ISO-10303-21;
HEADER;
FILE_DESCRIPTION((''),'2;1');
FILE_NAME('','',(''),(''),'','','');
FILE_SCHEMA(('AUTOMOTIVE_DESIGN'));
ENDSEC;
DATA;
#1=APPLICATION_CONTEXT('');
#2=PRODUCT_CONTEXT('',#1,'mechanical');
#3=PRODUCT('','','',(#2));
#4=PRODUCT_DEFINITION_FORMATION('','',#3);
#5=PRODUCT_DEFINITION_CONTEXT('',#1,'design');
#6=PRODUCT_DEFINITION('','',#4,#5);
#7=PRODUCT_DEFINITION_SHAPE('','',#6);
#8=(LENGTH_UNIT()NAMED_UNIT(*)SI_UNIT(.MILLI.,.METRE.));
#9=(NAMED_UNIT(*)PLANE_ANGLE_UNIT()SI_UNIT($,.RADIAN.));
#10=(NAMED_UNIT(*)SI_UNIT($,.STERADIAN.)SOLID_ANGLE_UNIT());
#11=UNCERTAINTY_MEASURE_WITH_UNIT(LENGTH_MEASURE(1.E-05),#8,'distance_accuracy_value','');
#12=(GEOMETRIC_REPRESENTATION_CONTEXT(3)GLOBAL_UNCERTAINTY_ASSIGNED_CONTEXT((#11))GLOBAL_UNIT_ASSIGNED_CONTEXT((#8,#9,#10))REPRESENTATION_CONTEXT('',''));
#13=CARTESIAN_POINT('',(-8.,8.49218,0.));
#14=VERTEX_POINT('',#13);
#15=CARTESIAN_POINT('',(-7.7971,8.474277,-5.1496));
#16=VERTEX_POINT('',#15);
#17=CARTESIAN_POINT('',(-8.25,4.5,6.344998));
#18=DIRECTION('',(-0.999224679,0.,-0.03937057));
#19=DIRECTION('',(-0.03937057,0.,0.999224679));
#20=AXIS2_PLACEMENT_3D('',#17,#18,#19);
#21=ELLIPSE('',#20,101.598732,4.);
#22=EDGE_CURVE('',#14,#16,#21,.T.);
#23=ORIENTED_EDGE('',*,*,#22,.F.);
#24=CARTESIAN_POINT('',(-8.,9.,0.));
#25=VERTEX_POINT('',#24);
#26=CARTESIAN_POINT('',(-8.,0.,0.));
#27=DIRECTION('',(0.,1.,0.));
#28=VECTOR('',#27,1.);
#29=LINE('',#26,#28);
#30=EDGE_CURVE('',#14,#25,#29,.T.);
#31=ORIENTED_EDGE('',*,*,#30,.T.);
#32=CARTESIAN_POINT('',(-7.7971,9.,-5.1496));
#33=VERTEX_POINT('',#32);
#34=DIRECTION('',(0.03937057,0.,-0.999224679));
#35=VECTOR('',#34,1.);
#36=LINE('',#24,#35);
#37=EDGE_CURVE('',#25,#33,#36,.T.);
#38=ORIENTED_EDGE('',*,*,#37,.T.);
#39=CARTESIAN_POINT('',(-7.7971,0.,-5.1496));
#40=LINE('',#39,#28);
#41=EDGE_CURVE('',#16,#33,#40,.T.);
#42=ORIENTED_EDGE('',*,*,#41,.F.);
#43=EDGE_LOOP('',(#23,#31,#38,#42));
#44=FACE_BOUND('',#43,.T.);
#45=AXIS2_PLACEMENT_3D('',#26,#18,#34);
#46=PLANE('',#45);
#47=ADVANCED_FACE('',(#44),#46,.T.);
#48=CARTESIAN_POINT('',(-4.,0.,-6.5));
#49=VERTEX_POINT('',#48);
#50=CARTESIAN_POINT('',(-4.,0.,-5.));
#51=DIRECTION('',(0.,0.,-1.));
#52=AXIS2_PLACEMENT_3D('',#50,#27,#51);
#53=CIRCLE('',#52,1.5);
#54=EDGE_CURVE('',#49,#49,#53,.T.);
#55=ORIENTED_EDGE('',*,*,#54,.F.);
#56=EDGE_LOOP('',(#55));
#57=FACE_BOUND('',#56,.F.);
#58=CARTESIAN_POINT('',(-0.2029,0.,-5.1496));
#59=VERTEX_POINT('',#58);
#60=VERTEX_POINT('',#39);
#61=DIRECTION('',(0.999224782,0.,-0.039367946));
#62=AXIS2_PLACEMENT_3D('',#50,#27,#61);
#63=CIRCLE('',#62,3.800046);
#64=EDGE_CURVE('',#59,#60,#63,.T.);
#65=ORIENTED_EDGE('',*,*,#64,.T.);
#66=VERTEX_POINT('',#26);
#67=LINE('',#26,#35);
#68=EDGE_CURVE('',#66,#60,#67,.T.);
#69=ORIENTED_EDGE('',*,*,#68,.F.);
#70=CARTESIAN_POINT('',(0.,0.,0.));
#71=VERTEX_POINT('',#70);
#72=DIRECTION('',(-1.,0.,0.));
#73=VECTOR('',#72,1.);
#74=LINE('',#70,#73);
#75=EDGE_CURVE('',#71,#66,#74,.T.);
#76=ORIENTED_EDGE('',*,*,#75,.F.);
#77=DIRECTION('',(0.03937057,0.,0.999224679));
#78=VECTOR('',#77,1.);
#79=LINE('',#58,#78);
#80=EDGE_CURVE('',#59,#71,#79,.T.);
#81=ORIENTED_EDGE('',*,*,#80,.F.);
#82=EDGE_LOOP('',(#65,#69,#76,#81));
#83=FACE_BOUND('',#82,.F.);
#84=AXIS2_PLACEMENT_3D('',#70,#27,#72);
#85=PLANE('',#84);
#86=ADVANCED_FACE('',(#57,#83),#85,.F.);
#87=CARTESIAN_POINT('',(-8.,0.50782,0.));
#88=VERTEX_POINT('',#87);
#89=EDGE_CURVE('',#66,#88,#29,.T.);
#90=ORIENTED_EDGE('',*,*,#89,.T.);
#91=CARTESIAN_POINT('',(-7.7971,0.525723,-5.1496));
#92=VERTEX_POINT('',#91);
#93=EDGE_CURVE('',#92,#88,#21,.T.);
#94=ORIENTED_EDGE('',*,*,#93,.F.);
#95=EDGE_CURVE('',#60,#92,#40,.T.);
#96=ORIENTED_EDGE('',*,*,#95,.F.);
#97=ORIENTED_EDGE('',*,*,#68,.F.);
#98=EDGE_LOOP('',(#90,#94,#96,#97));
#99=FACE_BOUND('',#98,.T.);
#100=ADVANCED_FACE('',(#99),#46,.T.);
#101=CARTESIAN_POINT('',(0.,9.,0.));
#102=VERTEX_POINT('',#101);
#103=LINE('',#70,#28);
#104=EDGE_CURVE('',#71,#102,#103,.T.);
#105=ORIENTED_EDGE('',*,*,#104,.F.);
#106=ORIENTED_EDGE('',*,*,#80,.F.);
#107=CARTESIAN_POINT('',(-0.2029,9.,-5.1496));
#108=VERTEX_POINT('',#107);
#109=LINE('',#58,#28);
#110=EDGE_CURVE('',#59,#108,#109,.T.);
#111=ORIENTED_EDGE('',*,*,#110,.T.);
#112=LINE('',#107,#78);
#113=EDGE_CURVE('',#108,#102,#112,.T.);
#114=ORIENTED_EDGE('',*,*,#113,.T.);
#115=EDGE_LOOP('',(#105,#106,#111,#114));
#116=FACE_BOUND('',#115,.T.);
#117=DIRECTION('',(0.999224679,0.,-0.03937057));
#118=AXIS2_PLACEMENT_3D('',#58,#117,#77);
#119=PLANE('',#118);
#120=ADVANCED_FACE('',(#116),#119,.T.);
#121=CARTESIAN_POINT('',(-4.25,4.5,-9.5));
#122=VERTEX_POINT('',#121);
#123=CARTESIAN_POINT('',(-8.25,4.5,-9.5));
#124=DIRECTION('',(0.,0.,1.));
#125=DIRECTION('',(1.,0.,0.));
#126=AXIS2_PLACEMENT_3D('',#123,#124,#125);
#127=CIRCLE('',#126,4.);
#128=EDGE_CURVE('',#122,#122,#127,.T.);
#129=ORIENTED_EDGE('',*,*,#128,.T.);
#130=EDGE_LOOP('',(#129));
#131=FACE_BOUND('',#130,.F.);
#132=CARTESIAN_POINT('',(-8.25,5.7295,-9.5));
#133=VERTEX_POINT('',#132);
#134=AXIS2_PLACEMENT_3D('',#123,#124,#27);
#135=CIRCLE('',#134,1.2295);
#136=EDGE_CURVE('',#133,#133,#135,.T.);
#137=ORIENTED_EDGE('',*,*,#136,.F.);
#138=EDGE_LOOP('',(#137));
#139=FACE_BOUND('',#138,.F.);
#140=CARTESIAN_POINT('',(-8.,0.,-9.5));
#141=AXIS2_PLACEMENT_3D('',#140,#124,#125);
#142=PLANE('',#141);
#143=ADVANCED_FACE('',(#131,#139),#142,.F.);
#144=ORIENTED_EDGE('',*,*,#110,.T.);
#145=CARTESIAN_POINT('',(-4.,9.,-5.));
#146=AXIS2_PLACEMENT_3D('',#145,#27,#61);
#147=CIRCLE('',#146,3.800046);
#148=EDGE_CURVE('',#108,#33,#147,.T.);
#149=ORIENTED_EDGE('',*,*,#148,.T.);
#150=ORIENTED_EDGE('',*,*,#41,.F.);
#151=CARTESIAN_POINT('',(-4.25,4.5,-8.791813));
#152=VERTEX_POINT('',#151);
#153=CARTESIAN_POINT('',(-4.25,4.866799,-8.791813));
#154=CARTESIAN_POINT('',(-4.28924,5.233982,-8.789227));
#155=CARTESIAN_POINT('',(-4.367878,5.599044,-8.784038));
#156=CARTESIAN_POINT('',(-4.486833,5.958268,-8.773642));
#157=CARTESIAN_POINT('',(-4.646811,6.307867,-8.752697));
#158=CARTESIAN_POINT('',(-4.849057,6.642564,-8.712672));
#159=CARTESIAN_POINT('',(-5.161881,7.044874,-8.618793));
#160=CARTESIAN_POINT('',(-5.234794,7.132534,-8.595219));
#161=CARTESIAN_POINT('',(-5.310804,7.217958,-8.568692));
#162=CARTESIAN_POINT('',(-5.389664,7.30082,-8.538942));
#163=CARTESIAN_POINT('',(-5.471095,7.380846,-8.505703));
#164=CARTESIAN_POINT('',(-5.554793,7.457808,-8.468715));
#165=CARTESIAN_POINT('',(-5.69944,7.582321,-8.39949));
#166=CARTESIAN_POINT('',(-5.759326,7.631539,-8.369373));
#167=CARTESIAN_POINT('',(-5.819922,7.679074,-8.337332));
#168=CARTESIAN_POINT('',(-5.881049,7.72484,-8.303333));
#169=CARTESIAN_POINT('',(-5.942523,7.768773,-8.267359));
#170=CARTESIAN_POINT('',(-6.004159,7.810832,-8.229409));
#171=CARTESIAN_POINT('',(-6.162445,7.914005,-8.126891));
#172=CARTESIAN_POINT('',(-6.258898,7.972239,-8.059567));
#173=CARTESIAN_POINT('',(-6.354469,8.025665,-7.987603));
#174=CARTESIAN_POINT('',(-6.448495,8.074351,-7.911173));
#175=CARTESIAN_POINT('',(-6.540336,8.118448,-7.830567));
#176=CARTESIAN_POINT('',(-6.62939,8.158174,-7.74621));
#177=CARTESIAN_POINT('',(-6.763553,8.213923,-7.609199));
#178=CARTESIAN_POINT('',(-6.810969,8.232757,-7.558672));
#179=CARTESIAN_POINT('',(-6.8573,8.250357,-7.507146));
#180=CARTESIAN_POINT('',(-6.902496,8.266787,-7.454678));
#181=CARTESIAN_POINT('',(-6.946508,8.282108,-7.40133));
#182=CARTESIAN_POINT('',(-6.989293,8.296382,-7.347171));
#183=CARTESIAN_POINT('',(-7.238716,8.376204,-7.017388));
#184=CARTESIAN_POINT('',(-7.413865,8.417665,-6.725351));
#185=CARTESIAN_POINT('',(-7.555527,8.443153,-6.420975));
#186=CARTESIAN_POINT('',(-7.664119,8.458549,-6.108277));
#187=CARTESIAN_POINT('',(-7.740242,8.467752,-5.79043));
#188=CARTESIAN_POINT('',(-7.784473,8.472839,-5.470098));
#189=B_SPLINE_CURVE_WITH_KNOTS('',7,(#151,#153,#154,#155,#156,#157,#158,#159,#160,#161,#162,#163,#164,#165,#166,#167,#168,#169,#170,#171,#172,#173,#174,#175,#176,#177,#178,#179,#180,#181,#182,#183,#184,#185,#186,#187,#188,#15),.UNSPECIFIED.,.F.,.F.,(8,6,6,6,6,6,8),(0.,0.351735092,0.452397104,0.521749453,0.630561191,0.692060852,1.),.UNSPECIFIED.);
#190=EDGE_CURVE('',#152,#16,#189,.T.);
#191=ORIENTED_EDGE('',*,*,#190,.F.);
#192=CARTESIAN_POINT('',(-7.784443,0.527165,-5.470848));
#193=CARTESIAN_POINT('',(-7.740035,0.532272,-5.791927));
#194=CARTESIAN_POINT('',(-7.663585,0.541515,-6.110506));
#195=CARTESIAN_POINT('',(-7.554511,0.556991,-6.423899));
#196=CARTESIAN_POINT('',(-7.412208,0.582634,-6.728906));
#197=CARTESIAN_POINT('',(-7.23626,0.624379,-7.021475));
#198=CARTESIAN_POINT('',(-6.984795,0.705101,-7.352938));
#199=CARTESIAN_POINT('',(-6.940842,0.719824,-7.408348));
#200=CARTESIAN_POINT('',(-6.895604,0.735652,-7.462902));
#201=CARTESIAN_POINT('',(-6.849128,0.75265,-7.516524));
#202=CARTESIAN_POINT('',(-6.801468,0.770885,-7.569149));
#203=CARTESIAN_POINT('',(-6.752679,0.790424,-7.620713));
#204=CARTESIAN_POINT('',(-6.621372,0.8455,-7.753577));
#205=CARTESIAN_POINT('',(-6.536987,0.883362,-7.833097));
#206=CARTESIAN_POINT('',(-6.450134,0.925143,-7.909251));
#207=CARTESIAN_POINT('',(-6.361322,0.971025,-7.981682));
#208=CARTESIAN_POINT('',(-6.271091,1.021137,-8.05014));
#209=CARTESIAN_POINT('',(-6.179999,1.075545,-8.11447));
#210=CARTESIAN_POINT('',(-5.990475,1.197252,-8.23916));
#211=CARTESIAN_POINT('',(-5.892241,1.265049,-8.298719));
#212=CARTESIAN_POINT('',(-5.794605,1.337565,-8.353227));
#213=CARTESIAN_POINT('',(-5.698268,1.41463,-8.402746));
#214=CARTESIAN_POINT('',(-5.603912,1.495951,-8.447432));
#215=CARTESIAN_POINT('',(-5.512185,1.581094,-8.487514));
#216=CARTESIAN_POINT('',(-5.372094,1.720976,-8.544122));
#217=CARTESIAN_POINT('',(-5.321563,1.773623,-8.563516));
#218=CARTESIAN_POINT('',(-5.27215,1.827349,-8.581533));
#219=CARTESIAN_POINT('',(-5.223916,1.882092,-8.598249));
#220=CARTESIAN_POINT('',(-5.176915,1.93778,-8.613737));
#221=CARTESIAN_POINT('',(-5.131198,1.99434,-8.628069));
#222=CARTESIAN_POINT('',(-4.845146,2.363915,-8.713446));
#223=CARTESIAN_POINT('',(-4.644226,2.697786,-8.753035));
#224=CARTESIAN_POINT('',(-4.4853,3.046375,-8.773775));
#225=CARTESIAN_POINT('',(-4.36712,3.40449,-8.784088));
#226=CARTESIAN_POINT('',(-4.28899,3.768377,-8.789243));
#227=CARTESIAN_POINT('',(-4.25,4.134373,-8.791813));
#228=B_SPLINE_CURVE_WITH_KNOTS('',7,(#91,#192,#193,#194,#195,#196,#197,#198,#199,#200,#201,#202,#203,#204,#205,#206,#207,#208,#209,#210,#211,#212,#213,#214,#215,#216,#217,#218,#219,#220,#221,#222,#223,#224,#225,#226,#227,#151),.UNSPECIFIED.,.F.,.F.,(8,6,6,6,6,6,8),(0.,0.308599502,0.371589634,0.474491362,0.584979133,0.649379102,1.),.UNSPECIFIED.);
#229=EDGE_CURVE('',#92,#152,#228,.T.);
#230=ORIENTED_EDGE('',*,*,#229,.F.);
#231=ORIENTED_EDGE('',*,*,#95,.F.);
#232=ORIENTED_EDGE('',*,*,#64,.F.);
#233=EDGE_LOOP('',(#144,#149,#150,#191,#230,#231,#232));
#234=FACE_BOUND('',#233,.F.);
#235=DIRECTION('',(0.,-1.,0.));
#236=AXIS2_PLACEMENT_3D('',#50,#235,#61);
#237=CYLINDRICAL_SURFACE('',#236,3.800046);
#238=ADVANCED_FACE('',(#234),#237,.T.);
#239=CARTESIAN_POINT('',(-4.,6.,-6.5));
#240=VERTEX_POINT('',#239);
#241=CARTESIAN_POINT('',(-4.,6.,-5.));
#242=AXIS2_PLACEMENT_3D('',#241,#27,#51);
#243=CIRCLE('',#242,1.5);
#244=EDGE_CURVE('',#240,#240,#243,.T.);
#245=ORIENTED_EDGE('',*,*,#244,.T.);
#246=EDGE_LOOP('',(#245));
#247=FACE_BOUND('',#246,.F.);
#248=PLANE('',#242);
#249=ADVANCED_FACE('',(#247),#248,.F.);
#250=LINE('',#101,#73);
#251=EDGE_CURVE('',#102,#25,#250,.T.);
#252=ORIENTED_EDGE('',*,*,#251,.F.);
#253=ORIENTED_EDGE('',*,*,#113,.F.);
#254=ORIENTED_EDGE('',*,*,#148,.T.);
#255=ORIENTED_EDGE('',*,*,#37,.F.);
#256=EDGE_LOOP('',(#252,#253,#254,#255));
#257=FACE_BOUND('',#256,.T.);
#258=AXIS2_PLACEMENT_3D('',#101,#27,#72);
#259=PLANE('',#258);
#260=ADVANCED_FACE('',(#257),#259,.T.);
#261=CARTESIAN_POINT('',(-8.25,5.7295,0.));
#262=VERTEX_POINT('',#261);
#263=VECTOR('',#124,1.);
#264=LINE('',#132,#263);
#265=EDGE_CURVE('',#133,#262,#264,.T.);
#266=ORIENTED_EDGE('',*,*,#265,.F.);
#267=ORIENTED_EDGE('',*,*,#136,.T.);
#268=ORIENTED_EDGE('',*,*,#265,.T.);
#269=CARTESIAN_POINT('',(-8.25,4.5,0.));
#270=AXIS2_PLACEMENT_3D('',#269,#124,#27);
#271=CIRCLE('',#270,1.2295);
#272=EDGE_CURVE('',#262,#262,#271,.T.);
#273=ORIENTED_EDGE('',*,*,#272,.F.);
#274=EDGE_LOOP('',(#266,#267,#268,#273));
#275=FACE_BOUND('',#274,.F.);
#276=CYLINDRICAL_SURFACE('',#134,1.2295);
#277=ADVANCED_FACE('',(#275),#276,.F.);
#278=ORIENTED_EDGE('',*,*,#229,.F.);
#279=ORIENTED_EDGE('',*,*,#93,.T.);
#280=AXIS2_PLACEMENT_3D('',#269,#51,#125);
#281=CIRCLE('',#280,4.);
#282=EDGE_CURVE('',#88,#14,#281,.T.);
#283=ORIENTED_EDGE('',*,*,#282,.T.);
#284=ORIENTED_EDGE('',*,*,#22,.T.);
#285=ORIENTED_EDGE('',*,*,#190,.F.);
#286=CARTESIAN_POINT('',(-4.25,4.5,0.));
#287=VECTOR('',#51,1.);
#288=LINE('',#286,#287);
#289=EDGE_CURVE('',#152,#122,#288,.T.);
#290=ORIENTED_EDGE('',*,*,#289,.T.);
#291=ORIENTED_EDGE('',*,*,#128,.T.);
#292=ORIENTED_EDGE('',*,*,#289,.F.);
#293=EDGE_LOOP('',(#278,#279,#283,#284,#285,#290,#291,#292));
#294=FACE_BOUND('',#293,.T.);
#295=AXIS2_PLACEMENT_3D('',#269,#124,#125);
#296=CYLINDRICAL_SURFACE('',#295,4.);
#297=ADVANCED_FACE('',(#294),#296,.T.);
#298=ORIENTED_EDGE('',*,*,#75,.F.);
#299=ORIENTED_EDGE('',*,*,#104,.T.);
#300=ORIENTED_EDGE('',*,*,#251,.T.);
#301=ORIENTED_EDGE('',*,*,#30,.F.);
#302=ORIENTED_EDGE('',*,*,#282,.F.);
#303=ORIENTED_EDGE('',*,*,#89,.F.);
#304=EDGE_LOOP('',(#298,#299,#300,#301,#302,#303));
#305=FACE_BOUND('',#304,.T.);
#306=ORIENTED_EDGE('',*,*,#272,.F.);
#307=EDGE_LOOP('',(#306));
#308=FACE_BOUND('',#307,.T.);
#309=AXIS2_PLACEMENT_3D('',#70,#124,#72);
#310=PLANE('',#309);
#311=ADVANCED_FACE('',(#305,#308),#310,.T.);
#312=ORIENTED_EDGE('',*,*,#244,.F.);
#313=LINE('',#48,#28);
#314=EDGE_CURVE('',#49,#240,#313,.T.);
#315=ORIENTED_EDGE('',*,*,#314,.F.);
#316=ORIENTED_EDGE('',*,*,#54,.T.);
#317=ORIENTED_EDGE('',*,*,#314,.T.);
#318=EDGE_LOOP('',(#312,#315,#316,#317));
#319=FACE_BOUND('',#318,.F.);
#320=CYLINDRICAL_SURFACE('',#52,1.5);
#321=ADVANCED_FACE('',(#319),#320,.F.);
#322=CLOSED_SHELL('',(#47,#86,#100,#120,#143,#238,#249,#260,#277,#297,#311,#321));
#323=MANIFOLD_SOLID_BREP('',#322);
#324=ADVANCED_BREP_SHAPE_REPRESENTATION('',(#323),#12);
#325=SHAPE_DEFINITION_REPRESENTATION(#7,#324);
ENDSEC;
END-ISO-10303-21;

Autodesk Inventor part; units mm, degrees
ref_plane "YZ Plane" through (0, 0, 0) normal (1, 0, 0) x (0, 1, 0)
ref_plane "XZ Plane" through (0, 0, 0) normal (0, 1, 0) x (-1, 0, 0)
ref_plane "XY Plane" through (0, 0, 0) normal (0, 0, 1) x (1, 0, 0)
sketch "Sketch1" plane through (0, 0, 0) normal (0, 1, 0) x (-1, 0, 0)
  line L0 (0, 0) -> (8, 0)
  line L1 (8, 0) -> (7.7971, -5.1496)
  line L2 (0.2029, -5.1496) -> (0, 0)
  arc A0 (0.2029, -5.1496) -> (7.7971, -5.1496) centre (4, -5) ccw
  line L3 (4, -5) -> (4, -1.2)
  dimension "d0" = 3.8
  dimension "d1" = 5
  dimension "d2" = 8
extrude "Extrusion1" add sketch "Sketch1" along normal blind 9
sketch "Sketch2" plane through (-8, 0, 0) normal (0, 0, 1) x (1, 0, 0)
  line L0 (8, 0) -> (0, 0) projected
  line L1 (0, 0) -> (0, 9) projected
  circle A0 centre (-0.25, 4.5) radius 4
  line L2 (4, 0) -> (4, -1.6223)
  point P0 (0, 4.5)
  dimension "d5" = 8
  dimension "d6" = 4.25
extrude "Extrusion2" add sketch "Sketch2" against normal blind 9.5
hole "Hole2" at (-8.25, 4.5, -9.5) direction (0, 0, 1) diameter 2.459 depth 12.05 thread size "M3x0.5" class "6H" standard "ISO Metric profile"
hole "Hole3" at (-4, 0, -5) direction (0, 1, 0) diameter 3 depth 6
properties part number "500-172" material "ABS Plastic"
